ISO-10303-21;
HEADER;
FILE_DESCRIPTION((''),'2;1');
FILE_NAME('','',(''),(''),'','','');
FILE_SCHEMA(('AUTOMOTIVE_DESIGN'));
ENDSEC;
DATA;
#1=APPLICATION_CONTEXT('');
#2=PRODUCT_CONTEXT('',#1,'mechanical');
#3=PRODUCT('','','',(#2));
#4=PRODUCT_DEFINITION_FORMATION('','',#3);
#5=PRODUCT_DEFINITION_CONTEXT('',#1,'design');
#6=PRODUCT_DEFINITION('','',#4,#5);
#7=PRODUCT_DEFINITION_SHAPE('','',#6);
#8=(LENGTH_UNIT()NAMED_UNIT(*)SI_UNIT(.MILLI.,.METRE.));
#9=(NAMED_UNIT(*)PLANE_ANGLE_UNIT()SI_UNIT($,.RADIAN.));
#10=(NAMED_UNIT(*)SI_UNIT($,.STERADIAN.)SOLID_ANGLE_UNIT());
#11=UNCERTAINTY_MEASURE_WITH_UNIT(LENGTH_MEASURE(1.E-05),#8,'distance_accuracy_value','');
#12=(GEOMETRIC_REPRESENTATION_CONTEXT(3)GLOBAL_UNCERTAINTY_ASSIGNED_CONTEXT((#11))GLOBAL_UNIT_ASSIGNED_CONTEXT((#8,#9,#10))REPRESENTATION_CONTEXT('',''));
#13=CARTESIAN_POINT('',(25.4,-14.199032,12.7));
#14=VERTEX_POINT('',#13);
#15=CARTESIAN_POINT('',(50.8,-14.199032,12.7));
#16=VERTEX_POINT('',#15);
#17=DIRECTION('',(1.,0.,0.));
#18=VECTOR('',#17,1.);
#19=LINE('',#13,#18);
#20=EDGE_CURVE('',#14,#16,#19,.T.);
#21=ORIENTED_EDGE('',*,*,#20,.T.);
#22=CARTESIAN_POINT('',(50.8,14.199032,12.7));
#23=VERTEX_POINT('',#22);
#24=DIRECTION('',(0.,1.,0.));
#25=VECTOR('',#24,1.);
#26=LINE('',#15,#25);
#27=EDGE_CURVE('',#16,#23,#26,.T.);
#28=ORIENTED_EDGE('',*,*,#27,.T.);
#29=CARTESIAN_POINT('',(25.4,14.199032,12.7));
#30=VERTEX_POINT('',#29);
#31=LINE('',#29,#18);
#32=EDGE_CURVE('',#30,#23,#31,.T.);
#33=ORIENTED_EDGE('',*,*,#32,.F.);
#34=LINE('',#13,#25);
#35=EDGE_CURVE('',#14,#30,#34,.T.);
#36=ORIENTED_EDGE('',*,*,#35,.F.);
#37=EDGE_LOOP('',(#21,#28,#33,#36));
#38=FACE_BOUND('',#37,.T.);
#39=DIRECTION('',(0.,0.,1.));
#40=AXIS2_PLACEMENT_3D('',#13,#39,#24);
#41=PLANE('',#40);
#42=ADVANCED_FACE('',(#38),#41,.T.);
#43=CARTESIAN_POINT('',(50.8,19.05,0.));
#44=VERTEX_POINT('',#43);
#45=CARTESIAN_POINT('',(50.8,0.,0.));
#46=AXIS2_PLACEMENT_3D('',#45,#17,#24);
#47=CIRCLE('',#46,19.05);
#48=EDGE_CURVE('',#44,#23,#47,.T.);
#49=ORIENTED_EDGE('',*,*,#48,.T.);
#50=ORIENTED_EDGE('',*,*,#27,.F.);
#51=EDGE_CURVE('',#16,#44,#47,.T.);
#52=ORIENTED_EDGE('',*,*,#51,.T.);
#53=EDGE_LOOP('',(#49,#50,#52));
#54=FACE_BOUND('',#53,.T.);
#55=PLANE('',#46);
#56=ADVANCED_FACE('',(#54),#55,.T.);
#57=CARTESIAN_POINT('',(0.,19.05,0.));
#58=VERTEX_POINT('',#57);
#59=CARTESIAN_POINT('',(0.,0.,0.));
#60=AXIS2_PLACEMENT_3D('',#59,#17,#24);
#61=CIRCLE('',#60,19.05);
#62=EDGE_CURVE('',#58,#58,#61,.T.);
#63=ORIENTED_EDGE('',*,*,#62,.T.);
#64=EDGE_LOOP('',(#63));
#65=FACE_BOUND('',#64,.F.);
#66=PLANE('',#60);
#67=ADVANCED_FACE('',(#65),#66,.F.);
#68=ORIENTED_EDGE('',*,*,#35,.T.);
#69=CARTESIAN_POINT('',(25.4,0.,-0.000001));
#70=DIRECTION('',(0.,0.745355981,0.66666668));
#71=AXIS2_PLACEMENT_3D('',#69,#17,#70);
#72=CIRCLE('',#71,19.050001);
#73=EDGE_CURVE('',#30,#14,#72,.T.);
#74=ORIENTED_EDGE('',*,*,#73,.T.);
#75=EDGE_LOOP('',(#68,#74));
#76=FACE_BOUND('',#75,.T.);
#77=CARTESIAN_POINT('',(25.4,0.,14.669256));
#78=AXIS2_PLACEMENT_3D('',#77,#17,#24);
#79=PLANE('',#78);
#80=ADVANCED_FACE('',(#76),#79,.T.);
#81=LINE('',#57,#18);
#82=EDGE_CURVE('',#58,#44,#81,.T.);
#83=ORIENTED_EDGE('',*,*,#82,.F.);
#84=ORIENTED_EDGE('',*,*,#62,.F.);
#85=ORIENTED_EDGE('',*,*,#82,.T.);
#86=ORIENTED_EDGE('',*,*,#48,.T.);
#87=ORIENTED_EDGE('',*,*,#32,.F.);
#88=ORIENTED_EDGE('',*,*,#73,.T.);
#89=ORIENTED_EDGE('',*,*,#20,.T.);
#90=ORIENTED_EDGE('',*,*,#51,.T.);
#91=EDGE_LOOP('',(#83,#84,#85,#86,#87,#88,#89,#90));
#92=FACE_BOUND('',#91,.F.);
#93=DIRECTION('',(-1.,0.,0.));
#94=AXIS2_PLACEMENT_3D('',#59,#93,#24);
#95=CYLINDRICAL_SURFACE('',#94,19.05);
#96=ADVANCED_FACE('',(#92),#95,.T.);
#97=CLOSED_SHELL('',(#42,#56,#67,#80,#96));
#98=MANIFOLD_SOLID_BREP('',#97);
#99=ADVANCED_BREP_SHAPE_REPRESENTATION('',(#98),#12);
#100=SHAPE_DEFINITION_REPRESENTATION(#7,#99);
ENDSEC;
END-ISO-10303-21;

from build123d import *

# Parameters (mm, degrees)
F0_R     = 19.05
F1_DEPTH = 50.8
F4_DEPTH = 25.4


with BuildPart() as f1:
    # F0 (on Right) → F1 (new body)
    with BuildSketch(Plane.YZ):
        Circle(F0_R)
    extrude(amount=F1_DEPTH)

    # F3 (on offset) → F4 (cut)
    with BuildSketch(Plane.YZ.offset(25.4)):
        with BuildLine():
            ThreePointArc((14.199032, 12.7), (0, 19.05), (-14.199032, 12.7))
            Line((-14.199032, 12.7), (14.199032, 12.7))
        make_face()
    extrude(amount=F4_DEPTH, mode=Mode.SUBTRACT)


solid = f1.part
